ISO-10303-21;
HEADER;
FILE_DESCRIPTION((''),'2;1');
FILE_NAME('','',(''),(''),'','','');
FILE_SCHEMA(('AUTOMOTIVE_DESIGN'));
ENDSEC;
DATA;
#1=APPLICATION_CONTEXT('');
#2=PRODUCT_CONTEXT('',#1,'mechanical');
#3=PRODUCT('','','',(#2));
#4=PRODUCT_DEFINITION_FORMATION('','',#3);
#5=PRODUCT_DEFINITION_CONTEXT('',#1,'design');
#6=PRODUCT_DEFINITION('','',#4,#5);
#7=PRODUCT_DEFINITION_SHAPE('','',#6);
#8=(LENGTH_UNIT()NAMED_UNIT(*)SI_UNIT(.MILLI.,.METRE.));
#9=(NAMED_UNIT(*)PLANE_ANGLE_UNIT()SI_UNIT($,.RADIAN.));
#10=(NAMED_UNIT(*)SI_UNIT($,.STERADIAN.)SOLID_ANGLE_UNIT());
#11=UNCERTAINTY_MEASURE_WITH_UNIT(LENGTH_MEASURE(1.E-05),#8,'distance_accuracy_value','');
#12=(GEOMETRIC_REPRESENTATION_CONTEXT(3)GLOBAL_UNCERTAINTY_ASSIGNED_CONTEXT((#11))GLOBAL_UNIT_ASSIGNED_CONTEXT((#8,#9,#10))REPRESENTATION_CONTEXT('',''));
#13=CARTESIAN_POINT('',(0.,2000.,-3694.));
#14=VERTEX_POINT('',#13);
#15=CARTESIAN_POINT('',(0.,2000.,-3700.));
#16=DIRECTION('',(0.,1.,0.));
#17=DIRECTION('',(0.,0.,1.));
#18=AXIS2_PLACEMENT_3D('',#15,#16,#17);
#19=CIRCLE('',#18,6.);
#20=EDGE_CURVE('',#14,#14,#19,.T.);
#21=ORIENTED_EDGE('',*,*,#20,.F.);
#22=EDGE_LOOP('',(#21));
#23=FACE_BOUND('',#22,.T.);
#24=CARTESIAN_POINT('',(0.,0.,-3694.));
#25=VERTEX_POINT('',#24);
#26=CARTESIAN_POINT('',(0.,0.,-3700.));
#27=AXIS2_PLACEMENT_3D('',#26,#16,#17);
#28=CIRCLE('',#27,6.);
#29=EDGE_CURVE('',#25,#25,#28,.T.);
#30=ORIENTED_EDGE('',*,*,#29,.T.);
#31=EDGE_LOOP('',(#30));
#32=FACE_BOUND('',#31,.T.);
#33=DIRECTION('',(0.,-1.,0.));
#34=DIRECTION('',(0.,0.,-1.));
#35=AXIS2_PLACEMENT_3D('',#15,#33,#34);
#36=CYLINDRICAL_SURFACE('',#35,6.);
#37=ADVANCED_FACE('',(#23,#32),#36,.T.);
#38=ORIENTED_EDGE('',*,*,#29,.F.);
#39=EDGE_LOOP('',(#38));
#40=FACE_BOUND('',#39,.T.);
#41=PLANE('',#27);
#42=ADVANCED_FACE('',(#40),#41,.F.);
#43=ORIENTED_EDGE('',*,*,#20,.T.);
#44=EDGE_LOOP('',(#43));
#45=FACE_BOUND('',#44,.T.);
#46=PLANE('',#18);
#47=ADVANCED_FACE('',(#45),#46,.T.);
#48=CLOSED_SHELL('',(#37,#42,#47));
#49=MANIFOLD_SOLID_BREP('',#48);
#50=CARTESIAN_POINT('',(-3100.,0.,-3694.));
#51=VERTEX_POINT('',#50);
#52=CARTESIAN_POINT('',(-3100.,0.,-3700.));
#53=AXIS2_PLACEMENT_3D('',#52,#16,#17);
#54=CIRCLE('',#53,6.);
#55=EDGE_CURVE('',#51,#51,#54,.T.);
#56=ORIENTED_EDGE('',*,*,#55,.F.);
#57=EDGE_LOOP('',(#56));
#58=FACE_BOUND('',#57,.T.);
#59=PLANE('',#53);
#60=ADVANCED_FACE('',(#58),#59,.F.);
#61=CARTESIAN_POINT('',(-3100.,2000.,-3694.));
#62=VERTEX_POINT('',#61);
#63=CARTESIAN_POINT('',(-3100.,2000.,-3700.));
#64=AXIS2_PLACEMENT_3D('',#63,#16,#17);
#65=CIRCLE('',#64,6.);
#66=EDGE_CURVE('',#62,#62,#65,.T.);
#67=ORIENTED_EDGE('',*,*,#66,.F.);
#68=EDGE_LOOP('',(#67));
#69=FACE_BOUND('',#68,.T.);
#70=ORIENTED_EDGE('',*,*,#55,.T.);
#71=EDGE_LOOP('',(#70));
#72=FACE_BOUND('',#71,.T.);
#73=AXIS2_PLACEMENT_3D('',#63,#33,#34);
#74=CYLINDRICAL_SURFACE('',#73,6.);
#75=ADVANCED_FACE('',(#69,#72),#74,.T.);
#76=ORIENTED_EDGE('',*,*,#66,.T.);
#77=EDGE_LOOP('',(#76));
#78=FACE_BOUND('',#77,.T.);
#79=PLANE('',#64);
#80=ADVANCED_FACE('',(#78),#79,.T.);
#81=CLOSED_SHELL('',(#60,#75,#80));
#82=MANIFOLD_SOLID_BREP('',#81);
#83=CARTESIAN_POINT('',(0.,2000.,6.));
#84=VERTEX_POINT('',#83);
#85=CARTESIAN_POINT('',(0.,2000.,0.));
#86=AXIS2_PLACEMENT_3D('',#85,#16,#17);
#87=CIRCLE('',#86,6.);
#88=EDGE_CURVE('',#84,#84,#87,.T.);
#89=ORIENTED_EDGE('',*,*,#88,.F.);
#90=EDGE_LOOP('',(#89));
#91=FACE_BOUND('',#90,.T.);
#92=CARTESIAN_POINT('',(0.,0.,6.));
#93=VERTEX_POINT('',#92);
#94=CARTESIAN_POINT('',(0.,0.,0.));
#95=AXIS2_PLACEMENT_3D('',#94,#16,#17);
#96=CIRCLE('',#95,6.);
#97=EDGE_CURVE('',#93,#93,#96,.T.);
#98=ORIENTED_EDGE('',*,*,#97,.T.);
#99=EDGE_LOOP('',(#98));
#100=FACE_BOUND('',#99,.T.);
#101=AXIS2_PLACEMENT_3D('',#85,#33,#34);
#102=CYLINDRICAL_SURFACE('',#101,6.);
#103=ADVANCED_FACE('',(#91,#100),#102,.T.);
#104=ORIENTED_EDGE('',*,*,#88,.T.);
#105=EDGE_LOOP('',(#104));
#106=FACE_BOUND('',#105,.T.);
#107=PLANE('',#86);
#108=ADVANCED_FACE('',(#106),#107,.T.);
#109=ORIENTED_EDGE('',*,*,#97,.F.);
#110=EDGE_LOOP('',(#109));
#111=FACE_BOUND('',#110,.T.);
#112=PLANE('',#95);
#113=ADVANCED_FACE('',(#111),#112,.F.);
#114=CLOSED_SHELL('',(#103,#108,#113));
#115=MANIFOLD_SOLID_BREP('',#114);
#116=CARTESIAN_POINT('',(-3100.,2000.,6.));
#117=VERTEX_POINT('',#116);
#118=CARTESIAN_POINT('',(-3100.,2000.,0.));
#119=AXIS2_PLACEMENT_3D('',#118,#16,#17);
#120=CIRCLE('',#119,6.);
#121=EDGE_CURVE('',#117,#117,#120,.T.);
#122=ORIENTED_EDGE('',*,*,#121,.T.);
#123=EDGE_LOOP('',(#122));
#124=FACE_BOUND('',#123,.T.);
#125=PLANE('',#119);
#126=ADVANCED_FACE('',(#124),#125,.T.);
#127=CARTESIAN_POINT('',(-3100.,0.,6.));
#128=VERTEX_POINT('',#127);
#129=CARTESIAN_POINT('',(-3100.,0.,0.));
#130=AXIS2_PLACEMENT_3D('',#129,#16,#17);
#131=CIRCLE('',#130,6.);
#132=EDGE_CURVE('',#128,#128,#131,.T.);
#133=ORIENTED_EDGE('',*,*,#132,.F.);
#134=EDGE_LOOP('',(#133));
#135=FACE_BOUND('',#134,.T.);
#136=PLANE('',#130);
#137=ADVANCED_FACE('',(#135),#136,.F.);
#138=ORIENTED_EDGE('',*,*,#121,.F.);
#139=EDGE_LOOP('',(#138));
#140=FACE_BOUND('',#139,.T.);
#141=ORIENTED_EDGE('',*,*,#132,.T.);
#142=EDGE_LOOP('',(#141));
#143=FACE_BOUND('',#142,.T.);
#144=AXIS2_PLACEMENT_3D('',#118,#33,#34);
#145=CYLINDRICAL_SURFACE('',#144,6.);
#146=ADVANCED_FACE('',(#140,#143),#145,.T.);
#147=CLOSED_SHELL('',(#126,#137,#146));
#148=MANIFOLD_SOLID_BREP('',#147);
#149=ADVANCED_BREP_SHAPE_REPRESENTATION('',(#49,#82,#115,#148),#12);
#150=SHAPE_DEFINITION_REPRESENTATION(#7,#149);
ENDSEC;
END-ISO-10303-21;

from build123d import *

# Parameters (mm, degrees)
SKETCH1_R             = 6
BOSS_EXTRUDE1_DEPTH   = 2000
BOSS_EXTRUDE1_2_DEPTH = 2000
BOSS_EXTRUDE1_3_DEPTH = 2000
BOSS_EXTRUDE1_4_DEPTH = 2000


with BuildPart() as part:
    # Sketch1 → Boss-Extrude1 (new body)
    with BuildSketch(Plane(origin=(0, 0, 0), x_dir=(1, 0, 0), z_dir=(0, 1, 0))):
        with Locations(Location((-3100, 3700, 0), (0, 0, 270))):
            Circle(SKETCH1_R)
    extrude(amount=BOSS_EXTRUDE1_DEPTH)


with BuildPart() as body_2:
    # Sketch1 → Boss-Extrude1 2 (new body)
    with BuildSketch(Plane(origin=(0, 0, 0), x_dir=(1, 0, 0), z_dir=(0, 1, 0))):
        with Locations(Location((0, 3700, 0), (0, 0, 270))):
            Circle(SKETCH1_R)
    extrude(amount=BOSS_EXTRUDE1_2_DEPTH)


with BuildPart() as body_3:
    # Sketch1 → Boss-Extrude1 3 (new body)
    with BuildSketch(Plane(origin=(0, 0, 0), x_dir=(1, 0, 0), z_dir=(0, 1, 0))):
        with Locations(Location((0, 0, 0), (0, 0, 270))):
            Circle(SKETCH1_R)
    extrude(amount=BOSS_EXTRUDE1_3_DEPTH)


with BuildPart() as body_4:
    # Sketch1 → Boss-Extrude1 4 (new body)
    with BuildSketch(Plane(origin=(0, 0, 0), x_dir=(1, 0, 0), z_dir=(0, 1, 0))):
        with Locations(Location((-3100, 0, 0), (0, 0, 270))):
            Circle(SKETCH1_R)
    extrude(amount=BOSS_EXTRUDE1_4_DEPTH)


solid = Compound([part.part, body_2.part, body_3.part, body_4.part])
